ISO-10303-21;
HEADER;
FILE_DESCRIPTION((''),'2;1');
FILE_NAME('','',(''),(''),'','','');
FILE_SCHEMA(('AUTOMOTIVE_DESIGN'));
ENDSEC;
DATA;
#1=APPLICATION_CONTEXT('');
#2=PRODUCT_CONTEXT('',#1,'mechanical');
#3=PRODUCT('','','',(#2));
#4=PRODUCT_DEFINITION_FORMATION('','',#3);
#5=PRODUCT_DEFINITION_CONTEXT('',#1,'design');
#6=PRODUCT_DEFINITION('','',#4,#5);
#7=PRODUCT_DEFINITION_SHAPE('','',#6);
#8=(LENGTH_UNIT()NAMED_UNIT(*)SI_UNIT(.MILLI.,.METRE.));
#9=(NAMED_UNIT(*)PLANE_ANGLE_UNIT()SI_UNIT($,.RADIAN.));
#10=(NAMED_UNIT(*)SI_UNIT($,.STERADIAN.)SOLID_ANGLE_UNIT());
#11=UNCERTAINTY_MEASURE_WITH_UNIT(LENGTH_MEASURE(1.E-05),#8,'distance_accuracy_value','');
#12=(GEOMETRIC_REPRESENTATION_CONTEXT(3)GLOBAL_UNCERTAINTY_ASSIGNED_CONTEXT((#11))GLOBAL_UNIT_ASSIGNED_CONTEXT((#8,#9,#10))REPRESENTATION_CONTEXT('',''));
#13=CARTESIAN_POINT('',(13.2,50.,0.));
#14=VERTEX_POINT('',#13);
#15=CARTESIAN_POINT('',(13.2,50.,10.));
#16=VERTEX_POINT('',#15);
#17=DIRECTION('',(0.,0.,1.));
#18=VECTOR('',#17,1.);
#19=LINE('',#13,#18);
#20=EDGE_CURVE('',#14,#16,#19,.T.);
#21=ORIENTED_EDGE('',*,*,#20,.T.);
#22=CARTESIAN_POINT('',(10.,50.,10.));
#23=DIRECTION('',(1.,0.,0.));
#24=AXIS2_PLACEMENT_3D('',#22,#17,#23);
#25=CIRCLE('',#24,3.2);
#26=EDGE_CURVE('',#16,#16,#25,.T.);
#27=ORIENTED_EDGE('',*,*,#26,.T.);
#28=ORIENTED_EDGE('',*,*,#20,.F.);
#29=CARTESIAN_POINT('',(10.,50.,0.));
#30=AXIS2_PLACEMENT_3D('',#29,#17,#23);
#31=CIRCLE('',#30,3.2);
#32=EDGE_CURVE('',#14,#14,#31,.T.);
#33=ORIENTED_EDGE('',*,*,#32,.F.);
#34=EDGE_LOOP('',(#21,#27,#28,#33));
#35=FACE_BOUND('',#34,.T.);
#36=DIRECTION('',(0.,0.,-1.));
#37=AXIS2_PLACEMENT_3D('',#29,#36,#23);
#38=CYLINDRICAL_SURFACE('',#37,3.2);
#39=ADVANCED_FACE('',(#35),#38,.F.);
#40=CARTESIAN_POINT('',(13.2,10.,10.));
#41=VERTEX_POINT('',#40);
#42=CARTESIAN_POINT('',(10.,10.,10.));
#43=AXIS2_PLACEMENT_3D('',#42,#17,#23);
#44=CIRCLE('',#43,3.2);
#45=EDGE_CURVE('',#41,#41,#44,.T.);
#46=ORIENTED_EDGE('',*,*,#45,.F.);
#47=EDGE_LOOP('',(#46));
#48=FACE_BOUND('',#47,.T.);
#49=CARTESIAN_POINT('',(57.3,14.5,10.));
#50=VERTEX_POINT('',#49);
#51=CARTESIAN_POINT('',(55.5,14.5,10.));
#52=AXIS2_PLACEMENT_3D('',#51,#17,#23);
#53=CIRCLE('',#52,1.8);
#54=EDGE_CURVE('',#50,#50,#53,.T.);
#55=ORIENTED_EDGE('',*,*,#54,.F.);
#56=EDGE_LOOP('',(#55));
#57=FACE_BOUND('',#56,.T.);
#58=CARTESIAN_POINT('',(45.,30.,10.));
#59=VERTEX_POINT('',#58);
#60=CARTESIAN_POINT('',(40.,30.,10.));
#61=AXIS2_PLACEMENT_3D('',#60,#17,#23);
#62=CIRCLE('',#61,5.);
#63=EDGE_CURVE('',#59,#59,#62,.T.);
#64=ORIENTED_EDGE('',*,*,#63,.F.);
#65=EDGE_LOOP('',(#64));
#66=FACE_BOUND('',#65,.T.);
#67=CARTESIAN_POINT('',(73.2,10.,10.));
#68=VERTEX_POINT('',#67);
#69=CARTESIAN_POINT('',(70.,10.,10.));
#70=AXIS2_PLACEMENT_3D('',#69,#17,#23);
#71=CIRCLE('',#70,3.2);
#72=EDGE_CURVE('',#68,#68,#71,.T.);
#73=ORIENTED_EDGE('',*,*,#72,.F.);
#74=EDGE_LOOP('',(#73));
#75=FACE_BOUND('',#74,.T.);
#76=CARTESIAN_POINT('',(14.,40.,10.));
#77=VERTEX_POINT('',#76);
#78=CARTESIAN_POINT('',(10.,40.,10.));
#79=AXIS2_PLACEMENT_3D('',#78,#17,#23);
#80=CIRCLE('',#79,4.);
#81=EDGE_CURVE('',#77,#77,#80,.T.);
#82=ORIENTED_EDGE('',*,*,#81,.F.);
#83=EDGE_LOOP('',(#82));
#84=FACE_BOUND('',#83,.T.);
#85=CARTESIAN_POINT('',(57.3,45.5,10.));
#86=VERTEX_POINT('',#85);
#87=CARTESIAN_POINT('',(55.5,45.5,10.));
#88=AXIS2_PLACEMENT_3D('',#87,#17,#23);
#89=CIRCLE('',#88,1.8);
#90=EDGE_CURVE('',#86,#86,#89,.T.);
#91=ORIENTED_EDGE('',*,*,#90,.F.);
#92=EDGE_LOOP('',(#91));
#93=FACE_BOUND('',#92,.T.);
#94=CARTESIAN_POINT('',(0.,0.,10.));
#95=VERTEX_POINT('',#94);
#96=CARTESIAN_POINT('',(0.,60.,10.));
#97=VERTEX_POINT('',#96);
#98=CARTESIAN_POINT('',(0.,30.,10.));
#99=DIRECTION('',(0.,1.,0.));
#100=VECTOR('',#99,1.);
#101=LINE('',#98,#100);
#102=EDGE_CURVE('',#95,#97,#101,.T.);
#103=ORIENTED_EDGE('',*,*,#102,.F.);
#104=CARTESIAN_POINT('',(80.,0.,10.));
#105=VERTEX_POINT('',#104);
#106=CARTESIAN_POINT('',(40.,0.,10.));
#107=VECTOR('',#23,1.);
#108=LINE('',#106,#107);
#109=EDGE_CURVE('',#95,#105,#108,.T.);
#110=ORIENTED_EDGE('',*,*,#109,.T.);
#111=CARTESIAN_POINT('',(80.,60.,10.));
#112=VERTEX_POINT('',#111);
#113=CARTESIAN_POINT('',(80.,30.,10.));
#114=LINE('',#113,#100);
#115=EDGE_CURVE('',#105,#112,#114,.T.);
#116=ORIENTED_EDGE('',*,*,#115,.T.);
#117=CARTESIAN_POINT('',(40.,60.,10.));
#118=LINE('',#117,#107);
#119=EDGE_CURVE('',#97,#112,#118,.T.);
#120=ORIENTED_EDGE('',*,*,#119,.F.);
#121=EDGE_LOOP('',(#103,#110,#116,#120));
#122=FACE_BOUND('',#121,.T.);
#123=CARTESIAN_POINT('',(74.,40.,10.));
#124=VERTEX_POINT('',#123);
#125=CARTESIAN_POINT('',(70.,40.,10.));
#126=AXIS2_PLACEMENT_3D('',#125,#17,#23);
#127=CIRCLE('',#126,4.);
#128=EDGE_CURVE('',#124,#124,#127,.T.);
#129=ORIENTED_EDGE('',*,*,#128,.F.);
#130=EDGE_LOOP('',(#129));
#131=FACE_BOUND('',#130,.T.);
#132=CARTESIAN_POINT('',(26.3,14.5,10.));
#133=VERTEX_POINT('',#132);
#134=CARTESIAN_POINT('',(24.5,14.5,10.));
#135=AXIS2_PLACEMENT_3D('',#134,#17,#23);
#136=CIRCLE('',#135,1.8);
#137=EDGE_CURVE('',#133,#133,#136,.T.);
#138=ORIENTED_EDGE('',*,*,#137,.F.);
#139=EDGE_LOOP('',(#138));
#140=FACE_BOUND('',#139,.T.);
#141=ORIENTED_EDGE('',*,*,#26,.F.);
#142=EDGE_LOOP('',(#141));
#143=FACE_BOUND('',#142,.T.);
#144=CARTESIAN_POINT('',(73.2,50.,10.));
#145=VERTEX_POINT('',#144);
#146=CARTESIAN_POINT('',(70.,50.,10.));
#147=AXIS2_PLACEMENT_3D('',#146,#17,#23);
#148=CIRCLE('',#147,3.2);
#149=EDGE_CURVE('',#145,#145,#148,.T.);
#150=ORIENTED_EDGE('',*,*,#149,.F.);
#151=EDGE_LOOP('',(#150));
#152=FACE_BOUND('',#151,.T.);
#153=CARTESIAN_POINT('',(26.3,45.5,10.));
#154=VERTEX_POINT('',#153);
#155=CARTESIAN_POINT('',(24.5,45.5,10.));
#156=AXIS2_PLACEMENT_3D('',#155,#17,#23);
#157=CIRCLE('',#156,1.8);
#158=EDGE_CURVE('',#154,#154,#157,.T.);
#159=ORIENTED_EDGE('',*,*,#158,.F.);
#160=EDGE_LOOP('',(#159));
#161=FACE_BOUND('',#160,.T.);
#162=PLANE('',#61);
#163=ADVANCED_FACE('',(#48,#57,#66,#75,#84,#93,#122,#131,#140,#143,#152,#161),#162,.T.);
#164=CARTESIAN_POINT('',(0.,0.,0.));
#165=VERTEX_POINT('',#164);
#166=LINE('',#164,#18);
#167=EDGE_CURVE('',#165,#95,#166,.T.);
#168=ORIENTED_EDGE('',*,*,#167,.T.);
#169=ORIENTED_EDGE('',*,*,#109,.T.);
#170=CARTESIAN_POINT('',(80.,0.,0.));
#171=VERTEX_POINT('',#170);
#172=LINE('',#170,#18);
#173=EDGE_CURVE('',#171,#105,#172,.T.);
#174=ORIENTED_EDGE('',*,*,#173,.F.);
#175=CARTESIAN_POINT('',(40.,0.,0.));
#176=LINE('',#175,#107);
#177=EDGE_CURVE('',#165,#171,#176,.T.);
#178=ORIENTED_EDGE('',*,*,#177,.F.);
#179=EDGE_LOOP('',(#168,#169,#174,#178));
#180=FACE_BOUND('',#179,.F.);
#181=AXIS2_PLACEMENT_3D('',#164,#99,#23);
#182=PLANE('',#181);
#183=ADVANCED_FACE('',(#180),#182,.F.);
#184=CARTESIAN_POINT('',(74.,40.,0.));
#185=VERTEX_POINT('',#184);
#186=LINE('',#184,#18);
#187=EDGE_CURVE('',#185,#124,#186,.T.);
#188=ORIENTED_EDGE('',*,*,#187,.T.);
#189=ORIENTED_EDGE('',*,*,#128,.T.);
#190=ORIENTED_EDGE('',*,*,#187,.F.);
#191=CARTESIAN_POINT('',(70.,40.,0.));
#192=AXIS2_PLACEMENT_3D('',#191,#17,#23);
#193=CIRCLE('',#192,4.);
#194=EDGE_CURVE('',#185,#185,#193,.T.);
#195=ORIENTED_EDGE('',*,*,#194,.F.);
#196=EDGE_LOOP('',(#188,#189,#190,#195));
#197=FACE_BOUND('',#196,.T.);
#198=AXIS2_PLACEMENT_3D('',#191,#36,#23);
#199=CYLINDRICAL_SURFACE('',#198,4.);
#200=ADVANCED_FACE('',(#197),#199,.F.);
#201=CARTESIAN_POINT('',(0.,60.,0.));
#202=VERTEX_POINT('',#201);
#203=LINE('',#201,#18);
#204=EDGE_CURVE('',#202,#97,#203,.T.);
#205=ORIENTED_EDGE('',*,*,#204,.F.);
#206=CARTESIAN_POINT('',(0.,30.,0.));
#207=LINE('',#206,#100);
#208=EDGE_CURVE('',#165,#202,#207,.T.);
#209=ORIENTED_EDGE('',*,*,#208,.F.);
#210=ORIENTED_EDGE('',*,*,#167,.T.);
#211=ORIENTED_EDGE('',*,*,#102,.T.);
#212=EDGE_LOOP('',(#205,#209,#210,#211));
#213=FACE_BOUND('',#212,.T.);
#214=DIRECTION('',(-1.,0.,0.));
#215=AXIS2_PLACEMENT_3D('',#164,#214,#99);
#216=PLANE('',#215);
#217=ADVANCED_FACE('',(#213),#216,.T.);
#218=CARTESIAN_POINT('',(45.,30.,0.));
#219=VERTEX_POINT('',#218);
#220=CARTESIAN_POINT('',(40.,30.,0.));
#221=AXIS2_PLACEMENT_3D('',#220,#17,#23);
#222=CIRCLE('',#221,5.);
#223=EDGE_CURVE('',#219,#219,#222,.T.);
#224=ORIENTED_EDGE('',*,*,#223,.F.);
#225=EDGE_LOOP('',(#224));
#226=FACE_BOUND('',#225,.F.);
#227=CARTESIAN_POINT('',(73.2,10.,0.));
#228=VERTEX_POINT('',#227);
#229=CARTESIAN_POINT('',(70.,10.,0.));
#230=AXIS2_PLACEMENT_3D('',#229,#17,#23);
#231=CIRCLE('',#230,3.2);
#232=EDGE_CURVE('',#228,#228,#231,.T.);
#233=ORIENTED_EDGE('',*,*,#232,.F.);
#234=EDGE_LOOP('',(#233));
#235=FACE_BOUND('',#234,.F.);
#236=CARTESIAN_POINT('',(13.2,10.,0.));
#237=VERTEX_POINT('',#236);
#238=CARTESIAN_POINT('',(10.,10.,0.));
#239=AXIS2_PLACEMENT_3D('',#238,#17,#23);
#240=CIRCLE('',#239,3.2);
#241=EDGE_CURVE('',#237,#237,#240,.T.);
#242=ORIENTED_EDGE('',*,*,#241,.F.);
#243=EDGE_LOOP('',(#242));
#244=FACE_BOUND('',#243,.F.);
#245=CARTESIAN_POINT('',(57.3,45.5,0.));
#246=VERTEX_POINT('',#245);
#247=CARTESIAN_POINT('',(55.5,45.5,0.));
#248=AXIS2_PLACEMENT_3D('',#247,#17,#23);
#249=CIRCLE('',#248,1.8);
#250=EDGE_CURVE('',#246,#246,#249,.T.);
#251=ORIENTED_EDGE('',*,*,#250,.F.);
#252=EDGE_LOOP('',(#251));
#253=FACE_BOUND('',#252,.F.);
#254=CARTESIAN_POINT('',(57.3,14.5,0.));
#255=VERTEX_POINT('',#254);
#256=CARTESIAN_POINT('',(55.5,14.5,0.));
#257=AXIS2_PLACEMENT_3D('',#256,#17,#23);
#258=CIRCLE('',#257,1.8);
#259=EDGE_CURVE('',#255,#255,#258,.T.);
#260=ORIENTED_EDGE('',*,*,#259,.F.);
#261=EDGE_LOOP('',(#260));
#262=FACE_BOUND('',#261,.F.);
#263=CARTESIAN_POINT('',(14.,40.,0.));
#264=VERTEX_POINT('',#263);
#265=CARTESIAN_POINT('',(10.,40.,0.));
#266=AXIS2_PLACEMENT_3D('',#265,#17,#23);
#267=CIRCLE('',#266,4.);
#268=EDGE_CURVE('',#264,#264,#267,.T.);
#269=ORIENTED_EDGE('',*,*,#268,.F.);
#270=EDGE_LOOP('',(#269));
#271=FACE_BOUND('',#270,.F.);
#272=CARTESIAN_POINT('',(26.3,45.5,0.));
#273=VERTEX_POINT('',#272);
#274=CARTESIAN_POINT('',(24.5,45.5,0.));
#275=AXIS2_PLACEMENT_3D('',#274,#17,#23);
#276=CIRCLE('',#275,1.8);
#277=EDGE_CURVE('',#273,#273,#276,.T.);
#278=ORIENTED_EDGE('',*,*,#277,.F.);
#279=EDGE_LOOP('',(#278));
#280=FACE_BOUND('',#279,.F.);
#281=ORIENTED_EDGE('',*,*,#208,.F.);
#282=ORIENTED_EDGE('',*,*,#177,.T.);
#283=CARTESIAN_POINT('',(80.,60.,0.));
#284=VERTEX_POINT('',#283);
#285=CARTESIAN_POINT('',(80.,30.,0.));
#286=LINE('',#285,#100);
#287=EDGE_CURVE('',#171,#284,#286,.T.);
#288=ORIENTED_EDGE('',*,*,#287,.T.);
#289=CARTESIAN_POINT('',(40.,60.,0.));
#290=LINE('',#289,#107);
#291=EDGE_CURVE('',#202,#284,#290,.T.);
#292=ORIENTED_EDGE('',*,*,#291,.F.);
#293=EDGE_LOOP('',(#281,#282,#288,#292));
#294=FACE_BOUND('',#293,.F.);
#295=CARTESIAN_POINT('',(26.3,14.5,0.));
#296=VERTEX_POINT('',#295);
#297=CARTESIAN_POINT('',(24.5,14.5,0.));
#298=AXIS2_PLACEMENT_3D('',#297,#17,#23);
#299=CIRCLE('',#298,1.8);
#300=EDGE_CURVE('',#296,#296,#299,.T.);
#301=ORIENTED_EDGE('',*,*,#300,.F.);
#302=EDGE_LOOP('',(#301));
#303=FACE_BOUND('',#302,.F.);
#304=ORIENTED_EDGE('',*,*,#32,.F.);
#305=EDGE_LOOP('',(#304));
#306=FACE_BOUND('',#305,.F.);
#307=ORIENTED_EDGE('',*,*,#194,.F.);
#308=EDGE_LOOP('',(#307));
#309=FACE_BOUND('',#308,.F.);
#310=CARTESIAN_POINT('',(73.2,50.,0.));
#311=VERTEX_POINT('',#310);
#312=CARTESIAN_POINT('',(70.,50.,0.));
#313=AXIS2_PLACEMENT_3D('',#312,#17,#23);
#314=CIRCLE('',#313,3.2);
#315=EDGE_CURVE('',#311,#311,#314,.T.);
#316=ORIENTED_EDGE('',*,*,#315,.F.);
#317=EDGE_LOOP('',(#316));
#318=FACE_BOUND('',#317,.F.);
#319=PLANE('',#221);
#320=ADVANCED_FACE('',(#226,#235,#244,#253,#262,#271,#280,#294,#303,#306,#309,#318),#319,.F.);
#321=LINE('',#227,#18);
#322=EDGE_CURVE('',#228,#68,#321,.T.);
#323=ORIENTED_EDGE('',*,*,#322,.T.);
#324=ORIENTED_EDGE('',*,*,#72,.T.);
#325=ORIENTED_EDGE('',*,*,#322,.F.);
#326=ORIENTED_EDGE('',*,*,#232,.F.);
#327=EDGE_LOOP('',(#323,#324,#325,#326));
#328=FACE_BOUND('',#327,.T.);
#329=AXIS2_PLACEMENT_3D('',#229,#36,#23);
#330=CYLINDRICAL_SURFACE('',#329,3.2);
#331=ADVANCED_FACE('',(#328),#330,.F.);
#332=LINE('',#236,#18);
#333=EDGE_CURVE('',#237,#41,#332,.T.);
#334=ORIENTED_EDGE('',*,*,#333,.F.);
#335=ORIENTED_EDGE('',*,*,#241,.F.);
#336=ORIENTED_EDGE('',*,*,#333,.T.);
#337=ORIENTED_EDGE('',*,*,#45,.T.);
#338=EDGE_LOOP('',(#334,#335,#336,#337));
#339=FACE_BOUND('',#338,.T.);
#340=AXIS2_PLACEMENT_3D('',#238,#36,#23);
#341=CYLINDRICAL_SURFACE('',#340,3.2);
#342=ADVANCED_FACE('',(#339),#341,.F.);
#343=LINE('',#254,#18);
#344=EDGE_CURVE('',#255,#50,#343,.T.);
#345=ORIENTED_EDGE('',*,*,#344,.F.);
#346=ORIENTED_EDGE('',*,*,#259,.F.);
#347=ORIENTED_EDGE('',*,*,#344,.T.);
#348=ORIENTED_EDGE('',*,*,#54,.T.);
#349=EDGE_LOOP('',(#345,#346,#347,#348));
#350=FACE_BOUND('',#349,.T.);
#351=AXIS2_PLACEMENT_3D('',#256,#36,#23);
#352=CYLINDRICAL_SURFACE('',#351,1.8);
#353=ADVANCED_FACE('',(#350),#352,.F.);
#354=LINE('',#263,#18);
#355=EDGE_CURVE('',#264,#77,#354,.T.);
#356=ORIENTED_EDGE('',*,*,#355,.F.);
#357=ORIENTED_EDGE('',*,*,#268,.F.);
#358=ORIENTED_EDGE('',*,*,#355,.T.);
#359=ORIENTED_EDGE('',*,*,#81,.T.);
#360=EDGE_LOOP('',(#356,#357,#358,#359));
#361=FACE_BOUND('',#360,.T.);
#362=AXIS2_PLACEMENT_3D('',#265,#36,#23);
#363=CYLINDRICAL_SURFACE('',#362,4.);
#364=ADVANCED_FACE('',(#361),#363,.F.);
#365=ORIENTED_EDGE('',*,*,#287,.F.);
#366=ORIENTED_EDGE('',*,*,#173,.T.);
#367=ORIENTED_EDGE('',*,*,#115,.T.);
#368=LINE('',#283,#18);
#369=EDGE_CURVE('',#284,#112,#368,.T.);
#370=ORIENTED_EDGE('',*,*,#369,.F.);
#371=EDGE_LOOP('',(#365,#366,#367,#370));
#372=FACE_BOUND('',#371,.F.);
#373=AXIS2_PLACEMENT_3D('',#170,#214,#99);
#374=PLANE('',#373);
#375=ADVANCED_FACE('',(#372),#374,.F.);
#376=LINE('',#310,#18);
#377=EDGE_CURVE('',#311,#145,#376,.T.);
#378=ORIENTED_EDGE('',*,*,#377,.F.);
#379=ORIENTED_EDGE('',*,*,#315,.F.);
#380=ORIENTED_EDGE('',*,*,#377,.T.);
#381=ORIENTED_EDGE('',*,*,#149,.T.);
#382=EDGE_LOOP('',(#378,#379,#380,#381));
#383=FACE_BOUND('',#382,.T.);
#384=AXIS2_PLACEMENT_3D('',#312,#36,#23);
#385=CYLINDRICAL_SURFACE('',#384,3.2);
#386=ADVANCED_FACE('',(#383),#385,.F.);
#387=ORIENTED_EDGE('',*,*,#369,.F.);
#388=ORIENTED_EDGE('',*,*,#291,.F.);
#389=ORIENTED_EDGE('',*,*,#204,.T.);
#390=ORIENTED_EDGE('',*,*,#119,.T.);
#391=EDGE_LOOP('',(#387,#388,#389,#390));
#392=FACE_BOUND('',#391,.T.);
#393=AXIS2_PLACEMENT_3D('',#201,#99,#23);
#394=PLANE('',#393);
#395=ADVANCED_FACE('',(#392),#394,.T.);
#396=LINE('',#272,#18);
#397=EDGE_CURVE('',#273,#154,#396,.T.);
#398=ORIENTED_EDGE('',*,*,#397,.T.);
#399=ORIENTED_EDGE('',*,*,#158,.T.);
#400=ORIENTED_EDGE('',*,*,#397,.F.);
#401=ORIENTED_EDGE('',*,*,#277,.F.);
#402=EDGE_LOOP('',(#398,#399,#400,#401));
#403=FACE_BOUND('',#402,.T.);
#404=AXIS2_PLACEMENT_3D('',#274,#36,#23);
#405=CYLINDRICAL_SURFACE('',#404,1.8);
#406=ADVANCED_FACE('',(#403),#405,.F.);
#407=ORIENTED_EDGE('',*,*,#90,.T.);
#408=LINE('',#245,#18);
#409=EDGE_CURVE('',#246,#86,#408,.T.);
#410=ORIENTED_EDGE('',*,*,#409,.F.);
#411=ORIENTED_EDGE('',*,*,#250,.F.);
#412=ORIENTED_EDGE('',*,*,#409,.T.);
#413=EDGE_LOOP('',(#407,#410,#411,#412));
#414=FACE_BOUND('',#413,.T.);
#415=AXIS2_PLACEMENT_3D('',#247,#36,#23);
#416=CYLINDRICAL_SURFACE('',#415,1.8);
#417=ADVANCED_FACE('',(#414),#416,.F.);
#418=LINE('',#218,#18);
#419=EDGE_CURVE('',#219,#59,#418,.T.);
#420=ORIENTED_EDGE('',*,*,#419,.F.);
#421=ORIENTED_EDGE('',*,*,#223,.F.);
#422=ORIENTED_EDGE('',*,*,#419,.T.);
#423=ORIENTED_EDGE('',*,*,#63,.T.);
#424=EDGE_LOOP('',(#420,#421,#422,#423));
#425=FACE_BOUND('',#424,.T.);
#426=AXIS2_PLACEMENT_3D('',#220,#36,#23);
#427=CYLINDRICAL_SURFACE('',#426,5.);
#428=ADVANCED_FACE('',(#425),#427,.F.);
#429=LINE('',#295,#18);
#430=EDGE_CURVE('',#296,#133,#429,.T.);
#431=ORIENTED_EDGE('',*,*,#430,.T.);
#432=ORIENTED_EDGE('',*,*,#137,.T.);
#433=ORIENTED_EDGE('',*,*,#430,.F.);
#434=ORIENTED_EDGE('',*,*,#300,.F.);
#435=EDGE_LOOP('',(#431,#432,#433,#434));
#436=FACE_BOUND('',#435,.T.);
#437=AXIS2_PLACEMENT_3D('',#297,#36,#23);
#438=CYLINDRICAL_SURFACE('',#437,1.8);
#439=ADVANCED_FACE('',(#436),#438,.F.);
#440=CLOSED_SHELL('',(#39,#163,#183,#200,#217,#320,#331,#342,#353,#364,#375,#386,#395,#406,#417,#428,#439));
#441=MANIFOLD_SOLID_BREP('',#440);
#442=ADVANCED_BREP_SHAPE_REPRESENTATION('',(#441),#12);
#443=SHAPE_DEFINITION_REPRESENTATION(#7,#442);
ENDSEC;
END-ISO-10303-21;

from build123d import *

# Parameters (mm, degrees)
SKETCH_W   = 80
SKETCH_H   = 60
SKETCH_R   = 5
SKETCH_R_2 = 1.8
SKETCH_R_3 = 3.2
SKETCH_R_4 = 4
PAD_DEPTH  = 10


with BuildPart() as part:
    # Sketch → Pad (new body)
    with BuildSketch(Plane.XY):
        with Locations((40, 30)):
            Rectangle(SKETCH_W, SKETCH_H)
        with Locations((40, 30)):
            Circle(SKETCH_R, mode=Mode.SUBTRACT)
        with Locations((55.5, 45.5)):
            Circle(SKETCH_R_2, mode=Mode.SUBTRACT)
        with Locations((55.5, 14.5)):
            Circle(SKETCH_R_2, mode=Mode.SUBTRACT)
        with Locations((24.5, 14.5)):
            Circle(SKETCH_R_2, mode=Mode.SUBTRACT)
        with Locations((24.5, 45.5)):
            Circle(SKETCH_R_2, mode=Mode.SUBTRACT)
        with Locations((10, 10)):
            Circle(SKETCH_R_3, mode=Mode.SUBTRACT)
        with Locations((70, 10)):
            Circle(SKETCH_R_3, mode=Mode.SUBTRACT)
        with Locations((70, 40)):
            Circle(SKETCH_R_4, mode=Mode.SUBTRACT)
        with Locations((10, 40)):
            Circle(SKETCH_R_4, mode=Mode.SUBTRACT)
        with Locations((10, 50)):
            Circle(SKETCH_R_3, mode=Mode.SUBTRACT)
        with Locations((70, 50)):
            Circle(SKETCH_R_3, mode=Mode.SUBTRACT)
    extrude(amount=PAD_DEPTH)


solid = part.part
